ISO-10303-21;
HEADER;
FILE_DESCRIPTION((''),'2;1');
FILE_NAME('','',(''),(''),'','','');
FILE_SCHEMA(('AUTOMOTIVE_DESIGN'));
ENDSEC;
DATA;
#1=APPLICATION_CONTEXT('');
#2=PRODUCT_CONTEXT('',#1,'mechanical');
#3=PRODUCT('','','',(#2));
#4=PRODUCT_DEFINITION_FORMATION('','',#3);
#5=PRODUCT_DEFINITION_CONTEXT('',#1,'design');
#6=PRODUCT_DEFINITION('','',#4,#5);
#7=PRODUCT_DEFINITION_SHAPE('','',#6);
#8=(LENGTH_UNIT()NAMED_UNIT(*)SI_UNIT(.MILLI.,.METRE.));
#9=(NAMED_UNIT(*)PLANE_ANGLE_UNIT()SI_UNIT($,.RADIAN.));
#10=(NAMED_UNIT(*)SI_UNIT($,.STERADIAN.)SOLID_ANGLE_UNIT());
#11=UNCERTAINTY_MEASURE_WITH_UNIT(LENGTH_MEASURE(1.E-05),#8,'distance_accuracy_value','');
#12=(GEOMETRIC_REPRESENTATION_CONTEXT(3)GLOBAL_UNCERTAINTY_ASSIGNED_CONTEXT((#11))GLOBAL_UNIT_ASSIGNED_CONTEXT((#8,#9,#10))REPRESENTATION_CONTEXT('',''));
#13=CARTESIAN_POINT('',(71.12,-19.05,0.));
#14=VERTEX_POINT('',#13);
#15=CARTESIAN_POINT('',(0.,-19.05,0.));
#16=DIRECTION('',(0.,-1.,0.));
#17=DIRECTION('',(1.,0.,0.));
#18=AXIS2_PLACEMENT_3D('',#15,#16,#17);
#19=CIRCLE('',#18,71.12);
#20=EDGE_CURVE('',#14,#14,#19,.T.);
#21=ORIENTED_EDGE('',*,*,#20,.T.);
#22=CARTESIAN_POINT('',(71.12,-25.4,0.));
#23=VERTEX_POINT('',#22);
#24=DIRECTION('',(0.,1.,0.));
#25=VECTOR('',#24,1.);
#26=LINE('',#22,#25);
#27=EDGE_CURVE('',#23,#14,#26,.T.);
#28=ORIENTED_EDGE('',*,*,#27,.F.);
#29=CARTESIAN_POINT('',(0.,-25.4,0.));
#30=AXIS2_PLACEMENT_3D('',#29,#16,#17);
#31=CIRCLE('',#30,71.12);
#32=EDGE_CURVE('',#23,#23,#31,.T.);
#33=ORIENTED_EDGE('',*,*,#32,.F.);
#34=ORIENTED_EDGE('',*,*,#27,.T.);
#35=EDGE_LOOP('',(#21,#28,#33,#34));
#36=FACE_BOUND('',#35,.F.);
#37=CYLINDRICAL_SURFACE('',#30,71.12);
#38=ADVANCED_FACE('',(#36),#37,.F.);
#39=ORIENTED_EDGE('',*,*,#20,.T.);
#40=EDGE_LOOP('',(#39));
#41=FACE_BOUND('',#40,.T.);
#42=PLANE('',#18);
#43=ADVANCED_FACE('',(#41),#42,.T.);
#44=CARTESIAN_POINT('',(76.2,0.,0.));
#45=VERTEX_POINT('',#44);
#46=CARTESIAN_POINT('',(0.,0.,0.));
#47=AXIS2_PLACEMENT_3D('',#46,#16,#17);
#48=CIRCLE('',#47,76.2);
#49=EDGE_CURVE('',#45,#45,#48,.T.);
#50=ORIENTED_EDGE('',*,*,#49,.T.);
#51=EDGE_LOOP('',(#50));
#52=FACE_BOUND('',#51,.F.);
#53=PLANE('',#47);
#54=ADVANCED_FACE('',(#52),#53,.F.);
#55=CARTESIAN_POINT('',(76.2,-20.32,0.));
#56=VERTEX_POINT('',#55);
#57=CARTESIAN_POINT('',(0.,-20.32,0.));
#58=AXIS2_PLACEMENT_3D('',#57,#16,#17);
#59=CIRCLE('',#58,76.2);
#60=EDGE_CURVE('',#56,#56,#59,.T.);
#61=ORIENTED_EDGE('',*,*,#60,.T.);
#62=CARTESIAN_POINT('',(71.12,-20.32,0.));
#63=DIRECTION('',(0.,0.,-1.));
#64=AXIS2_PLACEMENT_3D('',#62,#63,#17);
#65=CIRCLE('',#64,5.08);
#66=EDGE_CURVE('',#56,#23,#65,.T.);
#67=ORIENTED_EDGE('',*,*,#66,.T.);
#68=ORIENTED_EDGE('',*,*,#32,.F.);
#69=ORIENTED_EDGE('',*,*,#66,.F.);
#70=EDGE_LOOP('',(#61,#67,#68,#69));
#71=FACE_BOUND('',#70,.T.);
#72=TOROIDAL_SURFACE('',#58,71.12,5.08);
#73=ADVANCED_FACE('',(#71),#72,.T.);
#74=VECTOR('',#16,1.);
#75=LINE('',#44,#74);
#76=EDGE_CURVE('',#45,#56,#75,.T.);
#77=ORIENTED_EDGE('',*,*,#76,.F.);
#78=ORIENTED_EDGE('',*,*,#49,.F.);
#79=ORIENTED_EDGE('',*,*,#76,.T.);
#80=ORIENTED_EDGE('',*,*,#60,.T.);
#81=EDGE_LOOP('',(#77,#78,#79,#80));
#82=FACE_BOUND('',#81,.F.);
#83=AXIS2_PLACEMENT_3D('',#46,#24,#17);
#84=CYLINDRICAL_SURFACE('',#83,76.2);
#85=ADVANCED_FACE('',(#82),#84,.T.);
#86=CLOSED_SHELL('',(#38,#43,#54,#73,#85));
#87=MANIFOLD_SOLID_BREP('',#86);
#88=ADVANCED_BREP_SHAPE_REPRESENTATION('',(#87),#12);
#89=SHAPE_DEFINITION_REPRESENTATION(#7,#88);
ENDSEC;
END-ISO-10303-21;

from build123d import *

# Parameters (mm, degrees)
F0_R      = 76.2
F1_DEPTH  = 25.4
F2_R      = 5.08
F1_FACE_R = 71.12
F3_DEPTH  = 6.35


with BuildPart() as f1:
    # F0 (on Front) → F1 (new body)
    with BuildSketch(Plane.XZ):
        Circle(F0_R)
    extrude(amount=F1_DEPTH)

    # F2
    f2_edges = [f1.edges().sort_by_distance(p)[0] for p in [
        (-76.2, -25.4, 0),
    ]]
    fillet(f2_edges, radius=F2_R)

    # F1_face (on face) → F3 (cut)
    with BuildSketch(Plane.XZ.offset(25.4)):
        Circle(F1_FACE_R)
    extrude(amount=-F3_DEPTH, mode=Mode.SUBTRACT)


solid = f1.part
